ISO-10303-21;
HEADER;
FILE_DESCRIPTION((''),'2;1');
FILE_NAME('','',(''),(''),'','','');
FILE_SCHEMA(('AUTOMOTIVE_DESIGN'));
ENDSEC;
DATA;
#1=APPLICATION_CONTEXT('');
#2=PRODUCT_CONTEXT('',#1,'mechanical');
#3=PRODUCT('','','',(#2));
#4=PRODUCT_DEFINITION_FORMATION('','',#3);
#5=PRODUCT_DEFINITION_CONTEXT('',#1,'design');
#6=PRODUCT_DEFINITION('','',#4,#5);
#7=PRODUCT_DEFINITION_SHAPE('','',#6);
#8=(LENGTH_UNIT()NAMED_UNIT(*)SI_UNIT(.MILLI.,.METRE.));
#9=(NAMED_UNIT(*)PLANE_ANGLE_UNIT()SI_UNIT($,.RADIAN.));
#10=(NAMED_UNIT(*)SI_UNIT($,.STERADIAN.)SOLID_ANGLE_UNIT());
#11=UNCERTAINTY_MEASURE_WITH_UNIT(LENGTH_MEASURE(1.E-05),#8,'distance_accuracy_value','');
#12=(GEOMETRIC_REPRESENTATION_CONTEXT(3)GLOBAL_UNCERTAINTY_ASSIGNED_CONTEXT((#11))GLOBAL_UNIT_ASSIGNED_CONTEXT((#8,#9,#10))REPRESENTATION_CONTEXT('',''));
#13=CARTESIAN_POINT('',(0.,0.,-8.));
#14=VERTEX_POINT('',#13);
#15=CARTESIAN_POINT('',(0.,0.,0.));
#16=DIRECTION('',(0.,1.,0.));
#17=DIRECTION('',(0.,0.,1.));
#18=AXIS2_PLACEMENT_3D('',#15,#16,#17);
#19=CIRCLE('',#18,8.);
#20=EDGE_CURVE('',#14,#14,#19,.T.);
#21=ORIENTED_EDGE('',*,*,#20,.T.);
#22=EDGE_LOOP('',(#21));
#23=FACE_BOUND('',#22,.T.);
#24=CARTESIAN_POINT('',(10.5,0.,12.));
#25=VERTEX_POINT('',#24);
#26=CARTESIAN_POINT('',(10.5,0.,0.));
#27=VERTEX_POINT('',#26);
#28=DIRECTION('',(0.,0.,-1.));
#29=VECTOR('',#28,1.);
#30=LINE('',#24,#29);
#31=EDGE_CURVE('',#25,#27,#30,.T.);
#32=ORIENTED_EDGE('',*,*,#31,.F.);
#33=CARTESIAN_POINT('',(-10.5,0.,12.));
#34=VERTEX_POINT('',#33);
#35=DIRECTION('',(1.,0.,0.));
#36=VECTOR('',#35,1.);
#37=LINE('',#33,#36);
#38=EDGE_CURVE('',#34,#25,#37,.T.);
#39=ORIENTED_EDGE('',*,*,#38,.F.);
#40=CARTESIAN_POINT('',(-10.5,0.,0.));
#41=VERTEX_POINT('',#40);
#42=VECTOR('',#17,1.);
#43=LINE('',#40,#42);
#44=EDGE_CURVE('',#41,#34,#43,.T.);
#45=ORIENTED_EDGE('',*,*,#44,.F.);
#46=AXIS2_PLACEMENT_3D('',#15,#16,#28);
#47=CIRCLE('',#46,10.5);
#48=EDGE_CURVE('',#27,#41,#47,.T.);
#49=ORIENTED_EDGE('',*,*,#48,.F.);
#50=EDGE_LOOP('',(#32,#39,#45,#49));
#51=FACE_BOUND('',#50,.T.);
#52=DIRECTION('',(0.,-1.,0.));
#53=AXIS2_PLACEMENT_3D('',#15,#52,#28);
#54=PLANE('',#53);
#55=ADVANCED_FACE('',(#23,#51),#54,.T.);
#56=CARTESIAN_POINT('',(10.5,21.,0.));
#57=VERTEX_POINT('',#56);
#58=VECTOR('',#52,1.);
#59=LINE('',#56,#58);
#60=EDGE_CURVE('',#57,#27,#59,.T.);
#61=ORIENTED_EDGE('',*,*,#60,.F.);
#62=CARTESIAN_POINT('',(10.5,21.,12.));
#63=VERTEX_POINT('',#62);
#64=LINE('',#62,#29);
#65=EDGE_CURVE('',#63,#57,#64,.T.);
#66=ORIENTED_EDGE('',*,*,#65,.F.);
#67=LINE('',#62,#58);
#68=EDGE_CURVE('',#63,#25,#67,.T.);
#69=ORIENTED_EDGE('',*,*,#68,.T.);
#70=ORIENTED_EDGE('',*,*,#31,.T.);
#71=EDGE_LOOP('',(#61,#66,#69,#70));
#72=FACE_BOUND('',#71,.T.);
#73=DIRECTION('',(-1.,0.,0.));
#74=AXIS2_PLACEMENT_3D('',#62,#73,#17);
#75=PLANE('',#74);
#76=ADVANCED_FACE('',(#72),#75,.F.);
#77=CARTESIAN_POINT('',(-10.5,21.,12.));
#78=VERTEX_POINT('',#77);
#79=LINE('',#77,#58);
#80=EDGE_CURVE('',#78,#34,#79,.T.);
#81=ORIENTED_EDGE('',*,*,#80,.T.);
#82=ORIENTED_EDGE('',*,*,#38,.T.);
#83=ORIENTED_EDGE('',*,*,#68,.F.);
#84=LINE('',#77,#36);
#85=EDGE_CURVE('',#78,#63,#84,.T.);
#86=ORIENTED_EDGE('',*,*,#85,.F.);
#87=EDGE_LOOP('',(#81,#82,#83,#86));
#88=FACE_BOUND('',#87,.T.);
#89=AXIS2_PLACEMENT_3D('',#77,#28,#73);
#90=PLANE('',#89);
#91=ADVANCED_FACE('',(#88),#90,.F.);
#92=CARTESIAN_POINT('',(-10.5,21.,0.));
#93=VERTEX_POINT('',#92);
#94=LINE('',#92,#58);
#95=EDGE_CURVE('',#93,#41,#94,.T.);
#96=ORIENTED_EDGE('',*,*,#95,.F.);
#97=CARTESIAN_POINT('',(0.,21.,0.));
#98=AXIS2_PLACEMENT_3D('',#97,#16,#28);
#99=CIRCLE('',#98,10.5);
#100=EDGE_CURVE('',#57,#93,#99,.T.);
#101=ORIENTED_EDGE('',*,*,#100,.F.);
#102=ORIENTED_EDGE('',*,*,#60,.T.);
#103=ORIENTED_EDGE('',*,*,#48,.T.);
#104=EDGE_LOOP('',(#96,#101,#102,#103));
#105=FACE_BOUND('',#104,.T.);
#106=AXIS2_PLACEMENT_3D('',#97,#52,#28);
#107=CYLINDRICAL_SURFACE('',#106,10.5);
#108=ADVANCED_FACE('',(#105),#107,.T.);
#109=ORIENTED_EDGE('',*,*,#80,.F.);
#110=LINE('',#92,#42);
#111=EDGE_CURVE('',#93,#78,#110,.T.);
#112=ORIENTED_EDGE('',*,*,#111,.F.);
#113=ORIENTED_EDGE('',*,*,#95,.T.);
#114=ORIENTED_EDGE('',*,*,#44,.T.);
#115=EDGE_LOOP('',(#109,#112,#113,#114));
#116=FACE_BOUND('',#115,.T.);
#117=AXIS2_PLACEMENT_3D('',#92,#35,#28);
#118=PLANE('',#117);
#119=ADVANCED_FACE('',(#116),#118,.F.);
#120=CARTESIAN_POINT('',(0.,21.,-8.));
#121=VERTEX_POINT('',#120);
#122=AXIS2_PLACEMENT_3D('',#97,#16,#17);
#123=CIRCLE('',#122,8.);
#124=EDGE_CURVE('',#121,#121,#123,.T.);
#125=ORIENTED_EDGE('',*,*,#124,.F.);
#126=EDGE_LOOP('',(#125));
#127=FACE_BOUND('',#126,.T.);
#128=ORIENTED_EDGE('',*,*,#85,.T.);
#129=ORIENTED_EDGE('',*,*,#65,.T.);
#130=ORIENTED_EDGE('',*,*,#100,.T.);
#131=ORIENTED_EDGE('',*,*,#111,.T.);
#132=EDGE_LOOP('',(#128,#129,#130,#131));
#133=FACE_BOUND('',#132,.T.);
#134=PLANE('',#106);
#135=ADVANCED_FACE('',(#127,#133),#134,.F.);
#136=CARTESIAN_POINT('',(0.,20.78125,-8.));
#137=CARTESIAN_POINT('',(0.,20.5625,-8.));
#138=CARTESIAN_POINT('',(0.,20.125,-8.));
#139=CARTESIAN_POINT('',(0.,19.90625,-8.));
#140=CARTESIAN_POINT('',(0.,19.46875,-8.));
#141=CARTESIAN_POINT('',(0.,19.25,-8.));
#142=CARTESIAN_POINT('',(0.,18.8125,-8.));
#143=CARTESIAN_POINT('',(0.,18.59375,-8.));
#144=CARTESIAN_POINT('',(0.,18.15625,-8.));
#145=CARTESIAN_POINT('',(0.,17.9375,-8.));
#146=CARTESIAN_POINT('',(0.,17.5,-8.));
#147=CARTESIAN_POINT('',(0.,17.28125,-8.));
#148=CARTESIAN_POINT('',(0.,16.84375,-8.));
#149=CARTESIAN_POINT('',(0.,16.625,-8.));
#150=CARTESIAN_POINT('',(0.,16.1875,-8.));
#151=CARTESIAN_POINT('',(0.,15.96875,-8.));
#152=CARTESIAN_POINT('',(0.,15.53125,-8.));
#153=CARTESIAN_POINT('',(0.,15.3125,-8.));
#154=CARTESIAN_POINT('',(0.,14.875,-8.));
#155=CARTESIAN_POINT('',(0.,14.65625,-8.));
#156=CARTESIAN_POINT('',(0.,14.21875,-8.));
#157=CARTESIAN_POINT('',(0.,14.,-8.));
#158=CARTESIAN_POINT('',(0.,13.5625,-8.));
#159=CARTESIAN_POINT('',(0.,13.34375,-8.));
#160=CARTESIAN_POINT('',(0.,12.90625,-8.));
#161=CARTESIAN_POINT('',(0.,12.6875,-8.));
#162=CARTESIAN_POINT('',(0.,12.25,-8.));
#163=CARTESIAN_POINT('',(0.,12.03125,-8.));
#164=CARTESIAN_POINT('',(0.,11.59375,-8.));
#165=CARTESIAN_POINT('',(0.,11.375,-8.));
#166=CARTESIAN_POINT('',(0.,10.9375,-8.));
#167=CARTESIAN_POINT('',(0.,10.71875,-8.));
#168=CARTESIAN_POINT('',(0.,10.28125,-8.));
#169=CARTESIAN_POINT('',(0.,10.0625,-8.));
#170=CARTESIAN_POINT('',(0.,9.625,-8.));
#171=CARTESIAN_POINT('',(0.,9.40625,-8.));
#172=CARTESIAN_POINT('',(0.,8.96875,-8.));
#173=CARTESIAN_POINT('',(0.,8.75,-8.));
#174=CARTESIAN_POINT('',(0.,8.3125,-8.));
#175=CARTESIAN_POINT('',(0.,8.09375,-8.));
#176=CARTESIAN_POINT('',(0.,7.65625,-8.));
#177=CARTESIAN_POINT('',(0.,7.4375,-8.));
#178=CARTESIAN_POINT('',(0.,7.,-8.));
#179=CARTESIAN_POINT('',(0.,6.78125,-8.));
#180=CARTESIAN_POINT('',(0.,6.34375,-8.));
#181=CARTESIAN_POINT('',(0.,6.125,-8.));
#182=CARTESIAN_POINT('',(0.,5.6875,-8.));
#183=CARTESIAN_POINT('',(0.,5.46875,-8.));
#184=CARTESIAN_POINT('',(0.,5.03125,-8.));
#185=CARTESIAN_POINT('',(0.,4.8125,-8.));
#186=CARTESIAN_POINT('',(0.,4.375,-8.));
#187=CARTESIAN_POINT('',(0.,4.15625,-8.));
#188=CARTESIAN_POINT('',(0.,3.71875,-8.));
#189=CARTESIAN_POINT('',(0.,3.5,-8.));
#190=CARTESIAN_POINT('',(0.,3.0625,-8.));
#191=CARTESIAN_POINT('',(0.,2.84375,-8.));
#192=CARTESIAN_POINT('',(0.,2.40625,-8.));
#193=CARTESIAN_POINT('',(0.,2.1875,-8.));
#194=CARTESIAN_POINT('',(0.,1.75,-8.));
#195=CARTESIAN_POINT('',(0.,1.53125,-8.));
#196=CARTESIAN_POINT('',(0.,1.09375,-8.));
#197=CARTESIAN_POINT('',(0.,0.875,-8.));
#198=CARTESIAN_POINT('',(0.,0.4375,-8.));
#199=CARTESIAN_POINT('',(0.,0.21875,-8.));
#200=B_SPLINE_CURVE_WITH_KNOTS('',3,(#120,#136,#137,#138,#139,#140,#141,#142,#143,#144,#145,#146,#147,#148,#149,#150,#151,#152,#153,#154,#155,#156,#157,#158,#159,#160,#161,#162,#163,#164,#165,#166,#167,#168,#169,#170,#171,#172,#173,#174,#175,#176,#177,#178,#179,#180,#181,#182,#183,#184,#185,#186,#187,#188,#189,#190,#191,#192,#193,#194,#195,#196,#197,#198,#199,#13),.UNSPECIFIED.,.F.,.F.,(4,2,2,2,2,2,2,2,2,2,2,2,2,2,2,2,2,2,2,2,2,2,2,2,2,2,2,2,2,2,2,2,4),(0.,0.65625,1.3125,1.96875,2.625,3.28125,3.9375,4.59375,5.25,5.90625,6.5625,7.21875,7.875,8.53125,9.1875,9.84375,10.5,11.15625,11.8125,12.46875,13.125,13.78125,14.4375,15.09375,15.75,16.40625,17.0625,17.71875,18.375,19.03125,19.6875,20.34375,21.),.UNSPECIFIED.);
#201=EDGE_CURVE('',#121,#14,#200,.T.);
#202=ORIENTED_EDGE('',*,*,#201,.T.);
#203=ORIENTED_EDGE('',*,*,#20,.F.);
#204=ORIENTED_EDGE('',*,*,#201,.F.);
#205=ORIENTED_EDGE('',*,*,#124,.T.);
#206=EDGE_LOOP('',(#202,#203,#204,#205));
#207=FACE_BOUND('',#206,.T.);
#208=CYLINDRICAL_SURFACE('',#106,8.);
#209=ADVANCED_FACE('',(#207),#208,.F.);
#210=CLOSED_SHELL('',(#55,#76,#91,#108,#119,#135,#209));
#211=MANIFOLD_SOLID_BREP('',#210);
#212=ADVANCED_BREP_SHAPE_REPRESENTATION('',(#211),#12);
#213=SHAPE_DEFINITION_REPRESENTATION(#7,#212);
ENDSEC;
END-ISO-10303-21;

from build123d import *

# Parameters (mm, degrees)
SKETCH1_R           = 8
BOSS_EXTRUDE1_DEPTH = 21


with BuildPart() as part:
    # Sketch1 → Boss-Extrude1 (new body)
    with BuildSketch(Plane(origin=(0, 0, 0), x_dir=(1, 0, 0), z_dir=(0, 1, 0))):
        with BuildLine():
            Line((-10.5, 0), (-10.5, -12))
            Line((-10.5, -12), (10.5, -12))
            Line((10.5, -12), (10.5, 0))
            ThreePointArc((10.5, 0), (0, 10.5), (-10.5, 0))
        make_face()
        with Locations(Location((0, 0, 0), (0, 0, 90))):
            Circle(SKETCH1_R, mode=Mode.SUBTRACT)
    extrude(amount=BOSS_EXTRUDE1_DEPTH)


solid = part.part
